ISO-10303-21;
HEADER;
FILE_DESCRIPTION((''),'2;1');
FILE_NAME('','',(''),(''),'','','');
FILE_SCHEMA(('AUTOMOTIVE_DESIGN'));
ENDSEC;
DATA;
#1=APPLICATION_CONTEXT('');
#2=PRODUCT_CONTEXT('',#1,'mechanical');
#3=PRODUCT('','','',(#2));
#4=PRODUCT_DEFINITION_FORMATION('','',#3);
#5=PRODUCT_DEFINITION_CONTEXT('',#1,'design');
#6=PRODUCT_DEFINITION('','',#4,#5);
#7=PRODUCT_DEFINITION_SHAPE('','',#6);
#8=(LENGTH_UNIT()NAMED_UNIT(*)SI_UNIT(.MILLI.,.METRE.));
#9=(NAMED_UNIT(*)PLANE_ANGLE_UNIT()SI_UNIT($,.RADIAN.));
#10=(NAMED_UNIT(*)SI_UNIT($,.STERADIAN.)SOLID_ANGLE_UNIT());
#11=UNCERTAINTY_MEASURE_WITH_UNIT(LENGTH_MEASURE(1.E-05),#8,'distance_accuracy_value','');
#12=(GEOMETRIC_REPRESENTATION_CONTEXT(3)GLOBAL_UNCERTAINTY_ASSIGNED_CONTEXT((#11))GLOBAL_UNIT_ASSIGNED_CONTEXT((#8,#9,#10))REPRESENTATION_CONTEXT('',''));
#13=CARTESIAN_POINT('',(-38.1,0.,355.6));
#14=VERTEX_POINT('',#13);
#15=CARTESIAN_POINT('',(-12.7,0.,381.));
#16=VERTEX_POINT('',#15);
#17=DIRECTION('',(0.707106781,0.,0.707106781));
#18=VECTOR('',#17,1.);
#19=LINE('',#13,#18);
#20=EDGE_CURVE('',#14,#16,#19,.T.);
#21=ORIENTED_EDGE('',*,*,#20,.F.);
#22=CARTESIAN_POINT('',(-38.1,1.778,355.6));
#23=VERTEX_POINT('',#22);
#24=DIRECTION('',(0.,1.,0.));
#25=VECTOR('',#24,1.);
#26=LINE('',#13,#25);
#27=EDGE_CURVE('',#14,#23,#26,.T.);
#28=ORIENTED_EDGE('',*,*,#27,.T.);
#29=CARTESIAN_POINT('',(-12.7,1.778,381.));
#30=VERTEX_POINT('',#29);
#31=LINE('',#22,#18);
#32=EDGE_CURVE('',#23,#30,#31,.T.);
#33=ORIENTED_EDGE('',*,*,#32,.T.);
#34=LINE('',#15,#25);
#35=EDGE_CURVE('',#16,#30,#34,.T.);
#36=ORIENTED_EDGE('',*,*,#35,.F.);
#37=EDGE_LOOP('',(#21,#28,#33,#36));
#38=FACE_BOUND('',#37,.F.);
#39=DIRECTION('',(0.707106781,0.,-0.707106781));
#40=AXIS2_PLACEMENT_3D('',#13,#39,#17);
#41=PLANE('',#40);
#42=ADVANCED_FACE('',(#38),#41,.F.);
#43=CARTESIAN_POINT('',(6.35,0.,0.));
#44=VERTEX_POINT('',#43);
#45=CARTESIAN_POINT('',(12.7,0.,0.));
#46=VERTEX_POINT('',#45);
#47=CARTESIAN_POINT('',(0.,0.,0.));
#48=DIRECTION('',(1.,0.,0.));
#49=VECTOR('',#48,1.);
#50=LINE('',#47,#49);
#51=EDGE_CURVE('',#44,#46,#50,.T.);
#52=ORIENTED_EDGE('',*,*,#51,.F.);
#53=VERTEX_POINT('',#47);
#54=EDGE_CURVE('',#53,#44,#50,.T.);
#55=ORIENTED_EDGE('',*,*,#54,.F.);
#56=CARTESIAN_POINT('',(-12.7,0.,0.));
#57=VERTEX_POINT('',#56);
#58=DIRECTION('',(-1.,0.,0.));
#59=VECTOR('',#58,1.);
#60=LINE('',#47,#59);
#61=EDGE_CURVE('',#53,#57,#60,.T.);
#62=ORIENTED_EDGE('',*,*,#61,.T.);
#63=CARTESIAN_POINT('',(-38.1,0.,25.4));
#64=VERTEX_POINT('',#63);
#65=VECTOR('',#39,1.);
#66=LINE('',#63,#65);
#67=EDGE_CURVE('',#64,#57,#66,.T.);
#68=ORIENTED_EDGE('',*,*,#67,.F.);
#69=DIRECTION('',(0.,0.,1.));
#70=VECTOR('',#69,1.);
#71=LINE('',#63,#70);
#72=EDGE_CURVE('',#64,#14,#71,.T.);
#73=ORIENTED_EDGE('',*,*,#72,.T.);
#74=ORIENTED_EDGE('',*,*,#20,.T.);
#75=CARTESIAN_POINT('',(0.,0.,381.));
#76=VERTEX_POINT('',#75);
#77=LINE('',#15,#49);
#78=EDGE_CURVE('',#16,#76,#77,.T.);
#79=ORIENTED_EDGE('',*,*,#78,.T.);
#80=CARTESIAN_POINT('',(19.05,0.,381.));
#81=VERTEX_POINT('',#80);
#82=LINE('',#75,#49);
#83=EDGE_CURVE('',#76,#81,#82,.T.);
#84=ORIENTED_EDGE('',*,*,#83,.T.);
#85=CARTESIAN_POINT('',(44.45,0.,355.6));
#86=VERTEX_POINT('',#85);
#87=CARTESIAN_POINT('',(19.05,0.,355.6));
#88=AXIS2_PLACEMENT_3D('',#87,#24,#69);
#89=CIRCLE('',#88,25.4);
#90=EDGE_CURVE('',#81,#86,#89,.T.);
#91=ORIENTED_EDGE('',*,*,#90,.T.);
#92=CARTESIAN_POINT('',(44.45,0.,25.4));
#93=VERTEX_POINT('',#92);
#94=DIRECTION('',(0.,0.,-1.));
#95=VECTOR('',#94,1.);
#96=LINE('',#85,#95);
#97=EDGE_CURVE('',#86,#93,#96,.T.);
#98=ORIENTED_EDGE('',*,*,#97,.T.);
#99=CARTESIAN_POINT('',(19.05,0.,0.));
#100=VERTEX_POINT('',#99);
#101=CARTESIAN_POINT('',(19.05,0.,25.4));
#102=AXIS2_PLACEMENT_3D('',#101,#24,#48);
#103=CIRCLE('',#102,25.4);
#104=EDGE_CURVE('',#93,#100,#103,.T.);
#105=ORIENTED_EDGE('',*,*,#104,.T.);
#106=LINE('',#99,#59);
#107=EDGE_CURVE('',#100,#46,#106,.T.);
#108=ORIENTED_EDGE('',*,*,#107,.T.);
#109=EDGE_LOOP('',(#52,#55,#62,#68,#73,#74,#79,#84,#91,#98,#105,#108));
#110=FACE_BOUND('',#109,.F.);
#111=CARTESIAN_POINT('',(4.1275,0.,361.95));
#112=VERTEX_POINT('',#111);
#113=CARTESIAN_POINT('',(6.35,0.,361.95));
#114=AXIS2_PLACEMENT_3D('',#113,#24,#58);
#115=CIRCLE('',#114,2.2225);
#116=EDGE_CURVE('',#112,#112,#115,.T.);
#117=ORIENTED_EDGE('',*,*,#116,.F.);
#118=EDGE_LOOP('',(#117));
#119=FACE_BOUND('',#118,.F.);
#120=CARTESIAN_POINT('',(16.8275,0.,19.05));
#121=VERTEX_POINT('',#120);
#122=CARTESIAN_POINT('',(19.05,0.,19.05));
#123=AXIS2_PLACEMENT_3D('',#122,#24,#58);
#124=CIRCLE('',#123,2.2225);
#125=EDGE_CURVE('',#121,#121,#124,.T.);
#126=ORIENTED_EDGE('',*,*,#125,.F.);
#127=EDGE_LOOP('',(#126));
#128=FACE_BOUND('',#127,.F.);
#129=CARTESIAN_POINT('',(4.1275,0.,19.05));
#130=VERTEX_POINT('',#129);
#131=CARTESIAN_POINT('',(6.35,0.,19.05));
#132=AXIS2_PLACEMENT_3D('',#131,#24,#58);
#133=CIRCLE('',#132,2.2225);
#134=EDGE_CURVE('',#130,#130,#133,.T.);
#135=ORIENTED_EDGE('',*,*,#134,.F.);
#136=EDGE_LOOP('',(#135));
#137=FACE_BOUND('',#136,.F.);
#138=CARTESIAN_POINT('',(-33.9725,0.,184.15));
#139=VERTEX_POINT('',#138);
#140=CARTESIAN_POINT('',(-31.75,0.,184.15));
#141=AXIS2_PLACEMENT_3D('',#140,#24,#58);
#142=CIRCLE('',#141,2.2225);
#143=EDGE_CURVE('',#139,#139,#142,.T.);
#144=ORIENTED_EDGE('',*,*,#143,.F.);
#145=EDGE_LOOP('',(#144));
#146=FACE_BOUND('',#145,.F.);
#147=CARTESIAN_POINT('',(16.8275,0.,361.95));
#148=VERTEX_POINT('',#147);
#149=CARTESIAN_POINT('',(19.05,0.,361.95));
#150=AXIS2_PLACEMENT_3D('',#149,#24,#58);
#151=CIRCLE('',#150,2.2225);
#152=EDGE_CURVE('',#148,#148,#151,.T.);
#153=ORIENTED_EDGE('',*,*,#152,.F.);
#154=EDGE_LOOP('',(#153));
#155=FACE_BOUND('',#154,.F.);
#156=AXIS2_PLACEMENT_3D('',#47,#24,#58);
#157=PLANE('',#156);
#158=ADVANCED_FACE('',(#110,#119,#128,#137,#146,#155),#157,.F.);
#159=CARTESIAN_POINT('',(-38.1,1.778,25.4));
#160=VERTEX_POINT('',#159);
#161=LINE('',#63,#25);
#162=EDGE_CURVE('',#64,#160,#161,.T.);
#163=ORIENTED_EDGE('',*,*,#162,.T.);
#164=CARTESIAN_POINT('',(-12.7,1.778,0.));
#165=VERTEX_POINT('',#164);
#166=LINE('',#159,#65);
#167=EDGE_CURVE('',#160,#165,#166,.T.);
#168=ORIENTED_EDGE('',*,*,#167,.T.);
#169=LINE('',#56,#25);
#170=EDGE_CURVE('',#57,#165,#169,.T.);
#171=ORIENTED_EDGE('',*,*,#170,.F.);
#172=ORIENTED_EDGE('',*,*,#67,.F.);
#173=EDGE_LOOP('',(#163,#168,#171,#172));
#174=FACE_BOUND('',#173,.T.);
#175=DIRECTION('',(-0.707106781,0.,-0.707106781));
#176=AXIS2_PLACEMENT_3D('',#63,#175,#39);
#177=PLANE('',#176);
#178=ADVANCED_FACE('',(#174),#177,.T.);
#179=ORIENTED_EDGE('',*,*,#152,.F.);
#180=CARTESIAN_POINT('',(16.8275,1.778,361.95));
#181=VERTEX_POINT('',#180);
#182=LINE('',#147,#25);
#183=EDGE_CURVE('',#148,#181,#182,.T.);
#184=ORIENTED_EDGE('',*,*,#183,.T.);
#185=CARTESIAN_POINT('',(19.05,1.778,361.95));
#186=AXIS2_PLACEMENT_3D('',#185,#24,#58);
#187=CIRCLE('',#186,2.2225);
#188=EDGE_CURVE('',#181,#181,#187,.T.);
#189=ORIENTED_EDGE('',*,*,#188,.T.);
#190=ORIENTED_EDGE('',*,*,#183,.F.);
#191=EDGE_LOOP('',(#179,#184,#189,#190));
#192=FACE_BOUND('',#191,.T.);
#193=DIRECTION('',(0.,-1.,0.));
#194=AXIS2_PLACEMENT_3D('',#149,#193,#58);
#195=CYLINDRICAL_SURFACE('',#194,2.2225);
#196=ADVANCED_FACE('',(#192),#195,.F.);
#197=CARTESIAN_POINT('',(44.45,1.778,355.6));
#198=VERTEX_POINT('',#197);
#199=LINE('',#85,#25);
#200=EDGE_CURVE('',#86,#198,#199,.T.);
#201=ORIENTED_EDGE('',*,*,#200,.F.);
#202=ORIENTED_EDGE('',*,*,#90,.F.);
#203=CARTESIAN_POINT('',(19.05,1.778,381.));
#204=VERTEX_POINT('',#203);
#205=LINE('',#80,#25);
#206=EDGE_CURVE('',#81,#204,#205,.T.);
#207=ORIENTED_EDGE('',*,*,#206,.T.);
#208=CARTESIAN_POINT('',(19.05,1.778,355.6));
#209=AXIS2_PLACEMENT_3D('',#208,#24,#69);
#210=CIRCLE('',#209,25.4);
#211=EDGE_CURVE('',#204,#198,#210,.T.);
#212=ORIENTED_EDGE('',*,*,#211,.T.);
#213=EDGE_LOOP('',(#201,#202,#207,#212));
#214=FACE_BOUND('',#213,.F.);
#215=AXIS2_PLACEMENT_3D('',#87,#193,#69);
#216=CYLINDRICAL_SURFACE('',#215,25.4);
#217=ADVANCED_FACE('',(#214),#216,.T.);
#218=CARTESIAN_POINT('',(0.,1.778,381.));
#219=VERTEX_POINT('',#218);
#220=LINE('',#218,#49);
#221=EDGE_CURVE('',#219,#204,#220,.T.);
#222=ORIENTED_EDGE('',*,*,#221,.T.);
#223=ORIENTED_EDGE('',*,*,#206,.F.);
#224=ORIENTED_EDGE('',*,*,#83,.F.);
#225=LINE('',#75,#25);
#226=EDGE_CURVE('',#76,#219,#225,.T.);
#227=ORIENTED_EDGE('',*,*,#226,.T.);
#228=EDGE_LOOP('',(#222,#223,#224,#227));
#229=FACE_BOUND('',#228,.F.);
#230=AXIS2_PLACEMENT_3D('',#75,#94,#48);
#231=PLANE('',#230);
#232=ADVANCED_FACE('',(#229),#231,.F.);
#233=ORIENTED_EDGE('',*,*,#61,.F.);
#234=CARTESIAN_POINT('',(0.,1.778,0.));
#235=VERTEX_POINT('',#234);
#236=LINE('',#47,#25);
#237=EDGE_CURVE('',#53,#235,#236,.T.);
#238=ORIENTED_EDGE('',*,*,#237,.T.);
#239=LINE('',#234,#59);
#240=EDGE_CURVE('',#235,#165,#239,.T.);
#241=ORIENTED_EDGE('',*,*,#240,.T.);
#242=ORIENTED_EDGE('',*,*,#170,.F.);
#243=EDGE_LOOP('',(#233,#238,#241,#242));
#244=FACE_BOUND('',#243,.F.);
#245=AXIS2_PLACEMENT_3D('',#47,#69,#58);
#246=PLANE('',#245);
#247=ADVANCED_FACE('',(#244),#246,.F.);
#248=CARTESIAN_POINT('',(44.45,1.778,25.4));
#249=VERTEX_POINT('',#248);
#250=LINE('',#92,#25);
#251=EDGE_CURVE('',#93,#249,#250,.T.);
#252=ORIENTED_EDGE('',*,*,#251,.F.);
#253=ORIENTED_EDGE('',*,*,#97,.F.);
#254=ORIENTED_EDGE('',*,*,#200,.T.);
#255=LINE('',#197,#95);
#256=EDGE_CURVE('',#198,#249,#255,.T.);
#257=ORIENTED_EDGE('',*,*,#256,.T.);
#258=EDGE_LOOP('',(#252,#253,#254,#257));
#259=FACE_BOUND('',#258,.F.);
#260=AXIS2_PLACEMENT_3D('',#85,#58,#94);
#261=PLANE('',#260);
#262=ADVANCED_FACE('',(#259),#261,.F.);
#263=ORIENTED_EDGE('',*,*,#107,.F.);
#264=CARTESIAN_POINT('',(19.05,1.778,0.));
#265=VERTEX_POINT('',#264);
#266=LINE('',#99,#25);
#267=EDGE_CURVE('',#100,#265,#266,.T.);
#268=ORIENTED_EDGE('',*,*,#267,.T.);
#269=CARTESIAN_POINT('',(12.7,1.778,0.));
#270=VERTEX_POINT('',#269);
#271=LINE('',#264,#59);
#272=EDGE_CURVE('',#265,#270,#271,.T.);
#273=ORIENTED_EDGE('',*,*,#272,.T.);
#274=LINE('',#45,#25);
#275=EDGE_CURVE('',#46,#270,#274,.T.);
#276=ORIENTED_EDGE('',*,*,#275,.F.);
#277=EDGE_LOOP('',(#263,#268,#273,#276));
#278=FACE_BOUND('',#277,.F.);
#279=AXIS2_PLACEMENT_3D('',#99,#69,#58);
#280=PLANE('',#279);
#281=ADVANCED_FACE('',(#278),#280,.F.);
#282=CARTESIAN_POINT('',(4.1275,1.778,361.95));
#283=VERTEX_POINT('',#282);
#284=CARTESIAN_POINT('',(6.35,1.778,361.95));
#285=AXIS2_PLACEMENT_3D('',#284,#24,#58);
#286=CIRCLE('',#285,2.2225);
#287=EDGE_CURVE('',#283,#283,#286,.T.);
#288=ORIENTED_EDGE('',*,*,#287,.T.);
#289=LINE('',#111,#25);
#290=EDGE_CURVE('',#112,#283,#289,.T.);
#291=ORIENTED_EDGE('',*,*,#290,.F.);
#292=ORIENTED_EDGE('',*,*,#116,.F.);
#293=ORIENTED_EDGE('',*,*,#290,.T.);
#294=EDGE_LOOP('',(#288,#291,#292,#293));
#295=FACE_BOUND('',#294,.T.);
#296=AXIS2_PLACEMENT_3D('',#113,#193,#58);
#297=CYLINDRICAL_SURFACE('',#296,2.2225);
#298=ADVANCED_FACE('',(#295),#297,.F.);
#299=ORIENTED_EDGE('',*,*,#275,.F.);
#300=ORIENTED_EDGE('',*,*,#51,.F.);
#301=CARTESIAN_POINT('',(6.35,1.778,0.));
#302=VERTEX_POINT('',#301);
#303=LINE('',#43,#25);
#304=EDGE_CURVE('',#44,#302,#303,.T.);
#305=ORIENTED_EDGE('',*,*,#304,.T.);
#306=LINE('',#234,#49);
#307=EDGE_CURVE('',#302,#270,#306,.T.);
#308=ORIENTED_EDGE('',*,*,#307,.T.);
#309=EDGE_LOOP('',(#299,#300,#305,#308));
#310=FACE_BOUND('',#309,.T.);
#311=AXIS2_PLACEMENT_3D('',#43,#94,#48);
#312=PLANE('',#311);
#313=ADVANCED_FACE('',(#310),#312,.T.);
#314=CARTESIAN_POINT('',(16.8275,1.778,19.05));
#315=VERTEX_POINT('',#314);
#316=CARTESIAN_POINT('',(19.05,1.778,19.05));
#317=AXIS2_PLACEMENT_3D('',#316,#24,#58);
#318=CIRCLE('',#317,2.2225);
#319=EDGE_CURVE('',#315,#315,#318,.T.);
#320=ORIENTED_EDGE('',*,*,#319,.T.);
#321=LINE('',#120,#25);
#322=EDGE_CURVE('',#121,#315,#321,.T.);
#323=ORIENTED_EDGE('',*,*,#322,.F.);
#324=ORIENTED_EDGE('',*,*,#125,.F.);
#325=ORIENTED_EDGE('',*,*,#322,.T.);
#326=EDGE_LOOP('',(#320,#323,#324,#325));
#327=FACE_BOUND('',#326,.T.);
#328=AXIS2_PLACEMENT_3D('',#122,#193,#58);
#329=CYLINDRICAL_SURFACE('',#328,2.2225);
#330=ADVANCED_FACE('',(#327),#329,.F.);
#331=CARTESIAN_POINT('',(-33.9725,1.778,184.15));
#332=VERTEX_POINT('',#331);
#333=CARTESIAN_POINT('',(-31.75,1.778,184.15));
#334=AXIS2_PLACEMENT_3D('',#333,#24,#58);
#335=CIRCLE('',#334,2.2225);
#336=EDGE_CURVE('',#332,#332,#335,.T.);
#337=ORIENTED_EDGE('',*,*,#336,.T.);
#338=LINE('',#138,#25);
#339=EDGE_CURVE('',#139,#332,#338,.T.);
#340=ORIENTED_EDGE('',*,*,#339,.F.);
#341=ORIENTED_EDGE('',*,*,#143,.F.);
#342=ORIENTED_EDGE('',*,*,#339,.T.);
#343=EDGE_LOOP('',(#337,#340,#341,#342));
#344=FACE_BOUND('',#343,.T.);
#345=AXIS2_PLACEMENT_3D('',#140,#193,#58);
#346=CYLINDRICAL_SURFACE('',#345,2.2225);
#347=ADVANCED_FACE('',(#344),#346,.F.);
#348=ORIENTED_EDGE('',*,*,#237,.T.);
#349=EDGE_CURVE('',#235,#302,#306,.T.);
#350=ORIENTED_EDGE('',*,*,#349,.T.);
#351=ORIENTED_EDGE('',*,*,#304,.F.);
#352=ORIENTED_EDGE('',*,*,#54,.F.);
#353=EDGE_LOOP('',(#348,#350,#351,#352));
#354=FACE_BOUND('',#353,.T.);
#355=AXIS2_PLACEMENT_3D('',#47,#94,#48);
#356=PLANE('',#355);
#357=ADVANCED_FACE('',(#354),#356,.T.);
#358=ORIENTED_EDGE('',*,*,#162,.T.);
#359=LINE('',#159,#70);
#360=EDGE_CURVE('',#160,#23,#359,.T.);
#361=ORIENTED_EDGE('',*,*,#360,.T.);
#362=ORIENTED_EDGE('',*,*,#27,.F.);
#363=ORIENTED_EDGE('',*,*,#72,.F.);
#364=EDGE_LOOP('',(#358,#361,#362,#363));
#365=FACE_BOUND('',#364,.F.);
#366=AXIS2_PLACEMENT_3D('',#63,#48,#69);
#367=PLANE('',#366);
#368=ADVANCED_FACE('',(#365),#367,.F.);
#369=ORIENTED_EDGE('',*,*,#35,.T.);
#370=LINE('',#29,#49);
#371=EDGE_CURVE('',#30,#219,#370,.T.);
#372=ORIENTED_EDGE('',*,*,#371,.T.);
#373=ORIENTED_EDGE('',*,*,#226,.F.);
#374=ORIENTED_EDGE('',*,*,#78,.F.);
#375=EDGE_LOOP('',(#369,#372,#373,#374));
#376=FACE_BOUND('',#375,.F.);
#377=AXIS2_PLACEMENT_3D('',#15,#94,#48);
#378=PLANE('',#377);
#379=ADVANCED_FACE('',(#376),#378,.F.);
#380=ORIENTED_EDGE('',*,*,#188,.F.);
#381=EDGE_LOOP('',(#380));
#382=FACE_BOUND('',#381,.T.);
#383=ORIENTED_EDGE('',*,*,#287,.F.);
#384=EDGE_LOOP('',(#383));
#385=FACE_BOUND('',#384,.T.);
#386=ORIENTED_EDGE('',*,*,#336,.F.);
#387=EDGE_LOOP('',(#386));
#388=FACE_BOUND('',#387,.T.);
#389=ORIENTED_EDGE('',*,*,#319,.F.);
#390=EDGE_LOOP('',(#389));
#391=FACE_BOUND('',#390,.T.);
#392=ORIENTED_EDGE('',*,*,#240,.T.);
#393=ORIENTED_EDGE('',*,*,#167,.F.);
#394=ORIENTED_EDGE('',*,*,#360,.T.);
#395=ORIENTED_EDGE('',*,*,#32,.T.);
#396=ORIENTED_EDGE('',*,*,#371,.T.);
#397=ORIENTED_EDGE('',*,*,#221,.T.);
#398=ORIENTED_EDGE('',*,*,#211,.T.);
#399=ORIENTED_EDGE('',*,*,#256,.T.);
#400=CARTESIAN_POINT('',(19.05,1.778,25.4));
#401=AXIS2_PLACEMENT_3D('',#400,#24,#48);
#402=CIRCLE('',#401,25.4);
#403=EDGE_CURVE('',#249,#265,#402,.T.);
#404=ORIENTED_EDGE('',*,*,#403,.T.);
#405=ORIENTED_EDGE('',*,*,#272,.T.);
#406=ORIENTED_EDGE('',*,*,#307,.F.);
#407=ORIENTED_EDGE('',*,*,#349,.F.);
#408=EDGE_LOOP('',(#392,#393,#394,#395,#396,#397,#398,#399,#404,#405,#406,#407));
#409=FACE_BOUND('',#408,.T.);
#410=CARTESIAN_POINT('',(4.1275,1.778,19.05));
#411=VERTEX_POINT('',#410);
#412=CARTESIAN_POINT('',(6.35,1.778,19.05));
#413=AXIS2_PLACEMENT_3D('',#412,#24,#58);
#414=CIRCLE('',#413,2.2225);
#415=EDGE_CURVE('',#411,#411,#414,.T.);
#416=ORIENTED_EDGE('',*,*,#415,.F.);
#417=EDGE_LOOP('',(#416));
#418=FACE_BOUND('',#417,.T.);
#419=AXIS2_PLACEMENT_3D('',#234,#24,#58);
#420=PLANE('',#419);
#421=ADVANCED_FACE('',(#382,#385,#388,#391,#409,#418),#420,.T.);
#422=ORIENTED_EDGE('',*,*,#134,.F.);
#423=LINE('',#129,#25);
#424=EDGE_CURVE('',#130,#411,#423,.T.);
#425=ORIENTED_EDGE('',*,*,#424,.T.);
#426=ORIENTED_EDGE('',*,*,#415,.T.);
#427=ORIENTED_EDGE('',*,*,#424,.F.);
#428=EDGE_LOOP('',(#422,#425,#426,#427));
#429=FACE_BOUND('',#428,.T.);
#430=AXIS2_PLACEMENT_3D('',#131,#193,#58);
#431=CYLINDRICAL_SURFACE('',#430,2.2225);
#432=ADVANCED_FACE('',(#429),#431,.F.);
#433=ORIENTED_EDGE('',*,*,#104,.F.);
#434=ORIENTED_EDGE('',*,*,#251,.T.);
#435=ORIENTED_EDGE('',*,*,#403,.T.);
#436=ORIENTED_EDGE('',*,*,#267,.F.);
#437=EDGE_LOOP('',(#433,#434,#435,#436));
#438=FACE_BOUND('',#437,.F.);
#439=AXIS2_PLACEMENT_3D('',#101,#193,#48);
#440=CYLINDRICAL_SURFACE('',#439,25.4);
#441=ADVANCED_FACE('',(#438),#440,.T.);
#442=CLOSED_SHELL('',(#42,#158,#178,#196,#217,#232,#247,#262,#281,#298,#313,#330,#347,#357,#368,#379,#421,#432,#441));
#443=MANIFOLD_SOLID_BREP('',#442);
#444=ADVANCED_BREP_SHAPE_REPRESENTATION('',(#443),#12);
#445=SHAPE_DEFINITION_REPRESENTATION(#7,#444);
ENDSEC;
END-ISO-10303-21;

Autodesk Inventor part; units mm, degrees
ref_plane "YZ Plane" through (0, 0, 0) normal (1, 0, 0) x (0, 1, 0)
ref_plane "XZ Plane" through (0, 0, 0) normal (0, 1, 0) x (-1, 0, 0)
ref_plane "XY Plane" through (0, 0, 0) normal (0, 0, 1) x (1, 0, 0)
sketch "Sketch1" plane through (0, 0, 0) normal (0, 1, 0) x (-1, 0, 0)
  line L0 (0, 0) -> (-12.7, 0)
  line L1 (0, 0) -> (12.7, 0)
  line L2 (38.1, 25.4) -> (38.1, 355.6)
  line L3 (12.7, 381) -> (0, 381)
  line L4 (38.1, 355.6) -> (12.7, 381)
  line L5 (38.1, 25.4) -> (12.7, 0)
  circle A0 centre (31.75, 184.15) radius 2.2225
  circle A1 centre (-6.35, 19.05) radius 2.2225
  circle A2 centre (-19.05, 19.05) radius 2.2225
  circle A3 centre (-6.35, 361.95) radius 2.2225
  circle A4 centre (-19.05, 361.95) radius 2.2225
  line L6 (-6.35, 0) -> (0, 0)
  line L7 (0, 381) -> (-19.05, 381)
  line L8 (-44.45, 355.6) -> (-44.45, 25.4)
  line L9 (-19.05, 0) -> (0, 0)
  arc A5 (-19.05, 381) -> (-44.45, 355.6) centre (-19.05, 355.6) ccw
  arc A6 (-44.45, 25.4) -> (-19.05, 0) centre (-19.05, 25.4) ccw
  point P0 (38.1, 381)
  point P1 (38.1, 0)
  point P2 (-44.45, 0)
  point P3 (-44.45, 381)
  dimension "d2" = 38.1
  dimension "d3" = 381
  dimension "d5" = 25.4
  dimension "d6" = 25.4
  dimension "d7" = 25.4
  dimension "d8" = 25.4
  dimension "d12" = 4.445
  dimension "d13" = 4.445
  dimension "d14" = 4.445
  dimension "d15" = 4.445
  dimension "d16" = 4.445
  dimension "d20" = 44.45
  dimension "d21" = 381
  dimension "d22" = 25.4
extrude "Extrusion1" add sketch "Sketch1" along normal blind 1.778
equation "\"d6\" = d5"
equation "\"d7\" = d5"
equation "\"d8\" = d7"
properties part number "side_ring_guard_piece"
